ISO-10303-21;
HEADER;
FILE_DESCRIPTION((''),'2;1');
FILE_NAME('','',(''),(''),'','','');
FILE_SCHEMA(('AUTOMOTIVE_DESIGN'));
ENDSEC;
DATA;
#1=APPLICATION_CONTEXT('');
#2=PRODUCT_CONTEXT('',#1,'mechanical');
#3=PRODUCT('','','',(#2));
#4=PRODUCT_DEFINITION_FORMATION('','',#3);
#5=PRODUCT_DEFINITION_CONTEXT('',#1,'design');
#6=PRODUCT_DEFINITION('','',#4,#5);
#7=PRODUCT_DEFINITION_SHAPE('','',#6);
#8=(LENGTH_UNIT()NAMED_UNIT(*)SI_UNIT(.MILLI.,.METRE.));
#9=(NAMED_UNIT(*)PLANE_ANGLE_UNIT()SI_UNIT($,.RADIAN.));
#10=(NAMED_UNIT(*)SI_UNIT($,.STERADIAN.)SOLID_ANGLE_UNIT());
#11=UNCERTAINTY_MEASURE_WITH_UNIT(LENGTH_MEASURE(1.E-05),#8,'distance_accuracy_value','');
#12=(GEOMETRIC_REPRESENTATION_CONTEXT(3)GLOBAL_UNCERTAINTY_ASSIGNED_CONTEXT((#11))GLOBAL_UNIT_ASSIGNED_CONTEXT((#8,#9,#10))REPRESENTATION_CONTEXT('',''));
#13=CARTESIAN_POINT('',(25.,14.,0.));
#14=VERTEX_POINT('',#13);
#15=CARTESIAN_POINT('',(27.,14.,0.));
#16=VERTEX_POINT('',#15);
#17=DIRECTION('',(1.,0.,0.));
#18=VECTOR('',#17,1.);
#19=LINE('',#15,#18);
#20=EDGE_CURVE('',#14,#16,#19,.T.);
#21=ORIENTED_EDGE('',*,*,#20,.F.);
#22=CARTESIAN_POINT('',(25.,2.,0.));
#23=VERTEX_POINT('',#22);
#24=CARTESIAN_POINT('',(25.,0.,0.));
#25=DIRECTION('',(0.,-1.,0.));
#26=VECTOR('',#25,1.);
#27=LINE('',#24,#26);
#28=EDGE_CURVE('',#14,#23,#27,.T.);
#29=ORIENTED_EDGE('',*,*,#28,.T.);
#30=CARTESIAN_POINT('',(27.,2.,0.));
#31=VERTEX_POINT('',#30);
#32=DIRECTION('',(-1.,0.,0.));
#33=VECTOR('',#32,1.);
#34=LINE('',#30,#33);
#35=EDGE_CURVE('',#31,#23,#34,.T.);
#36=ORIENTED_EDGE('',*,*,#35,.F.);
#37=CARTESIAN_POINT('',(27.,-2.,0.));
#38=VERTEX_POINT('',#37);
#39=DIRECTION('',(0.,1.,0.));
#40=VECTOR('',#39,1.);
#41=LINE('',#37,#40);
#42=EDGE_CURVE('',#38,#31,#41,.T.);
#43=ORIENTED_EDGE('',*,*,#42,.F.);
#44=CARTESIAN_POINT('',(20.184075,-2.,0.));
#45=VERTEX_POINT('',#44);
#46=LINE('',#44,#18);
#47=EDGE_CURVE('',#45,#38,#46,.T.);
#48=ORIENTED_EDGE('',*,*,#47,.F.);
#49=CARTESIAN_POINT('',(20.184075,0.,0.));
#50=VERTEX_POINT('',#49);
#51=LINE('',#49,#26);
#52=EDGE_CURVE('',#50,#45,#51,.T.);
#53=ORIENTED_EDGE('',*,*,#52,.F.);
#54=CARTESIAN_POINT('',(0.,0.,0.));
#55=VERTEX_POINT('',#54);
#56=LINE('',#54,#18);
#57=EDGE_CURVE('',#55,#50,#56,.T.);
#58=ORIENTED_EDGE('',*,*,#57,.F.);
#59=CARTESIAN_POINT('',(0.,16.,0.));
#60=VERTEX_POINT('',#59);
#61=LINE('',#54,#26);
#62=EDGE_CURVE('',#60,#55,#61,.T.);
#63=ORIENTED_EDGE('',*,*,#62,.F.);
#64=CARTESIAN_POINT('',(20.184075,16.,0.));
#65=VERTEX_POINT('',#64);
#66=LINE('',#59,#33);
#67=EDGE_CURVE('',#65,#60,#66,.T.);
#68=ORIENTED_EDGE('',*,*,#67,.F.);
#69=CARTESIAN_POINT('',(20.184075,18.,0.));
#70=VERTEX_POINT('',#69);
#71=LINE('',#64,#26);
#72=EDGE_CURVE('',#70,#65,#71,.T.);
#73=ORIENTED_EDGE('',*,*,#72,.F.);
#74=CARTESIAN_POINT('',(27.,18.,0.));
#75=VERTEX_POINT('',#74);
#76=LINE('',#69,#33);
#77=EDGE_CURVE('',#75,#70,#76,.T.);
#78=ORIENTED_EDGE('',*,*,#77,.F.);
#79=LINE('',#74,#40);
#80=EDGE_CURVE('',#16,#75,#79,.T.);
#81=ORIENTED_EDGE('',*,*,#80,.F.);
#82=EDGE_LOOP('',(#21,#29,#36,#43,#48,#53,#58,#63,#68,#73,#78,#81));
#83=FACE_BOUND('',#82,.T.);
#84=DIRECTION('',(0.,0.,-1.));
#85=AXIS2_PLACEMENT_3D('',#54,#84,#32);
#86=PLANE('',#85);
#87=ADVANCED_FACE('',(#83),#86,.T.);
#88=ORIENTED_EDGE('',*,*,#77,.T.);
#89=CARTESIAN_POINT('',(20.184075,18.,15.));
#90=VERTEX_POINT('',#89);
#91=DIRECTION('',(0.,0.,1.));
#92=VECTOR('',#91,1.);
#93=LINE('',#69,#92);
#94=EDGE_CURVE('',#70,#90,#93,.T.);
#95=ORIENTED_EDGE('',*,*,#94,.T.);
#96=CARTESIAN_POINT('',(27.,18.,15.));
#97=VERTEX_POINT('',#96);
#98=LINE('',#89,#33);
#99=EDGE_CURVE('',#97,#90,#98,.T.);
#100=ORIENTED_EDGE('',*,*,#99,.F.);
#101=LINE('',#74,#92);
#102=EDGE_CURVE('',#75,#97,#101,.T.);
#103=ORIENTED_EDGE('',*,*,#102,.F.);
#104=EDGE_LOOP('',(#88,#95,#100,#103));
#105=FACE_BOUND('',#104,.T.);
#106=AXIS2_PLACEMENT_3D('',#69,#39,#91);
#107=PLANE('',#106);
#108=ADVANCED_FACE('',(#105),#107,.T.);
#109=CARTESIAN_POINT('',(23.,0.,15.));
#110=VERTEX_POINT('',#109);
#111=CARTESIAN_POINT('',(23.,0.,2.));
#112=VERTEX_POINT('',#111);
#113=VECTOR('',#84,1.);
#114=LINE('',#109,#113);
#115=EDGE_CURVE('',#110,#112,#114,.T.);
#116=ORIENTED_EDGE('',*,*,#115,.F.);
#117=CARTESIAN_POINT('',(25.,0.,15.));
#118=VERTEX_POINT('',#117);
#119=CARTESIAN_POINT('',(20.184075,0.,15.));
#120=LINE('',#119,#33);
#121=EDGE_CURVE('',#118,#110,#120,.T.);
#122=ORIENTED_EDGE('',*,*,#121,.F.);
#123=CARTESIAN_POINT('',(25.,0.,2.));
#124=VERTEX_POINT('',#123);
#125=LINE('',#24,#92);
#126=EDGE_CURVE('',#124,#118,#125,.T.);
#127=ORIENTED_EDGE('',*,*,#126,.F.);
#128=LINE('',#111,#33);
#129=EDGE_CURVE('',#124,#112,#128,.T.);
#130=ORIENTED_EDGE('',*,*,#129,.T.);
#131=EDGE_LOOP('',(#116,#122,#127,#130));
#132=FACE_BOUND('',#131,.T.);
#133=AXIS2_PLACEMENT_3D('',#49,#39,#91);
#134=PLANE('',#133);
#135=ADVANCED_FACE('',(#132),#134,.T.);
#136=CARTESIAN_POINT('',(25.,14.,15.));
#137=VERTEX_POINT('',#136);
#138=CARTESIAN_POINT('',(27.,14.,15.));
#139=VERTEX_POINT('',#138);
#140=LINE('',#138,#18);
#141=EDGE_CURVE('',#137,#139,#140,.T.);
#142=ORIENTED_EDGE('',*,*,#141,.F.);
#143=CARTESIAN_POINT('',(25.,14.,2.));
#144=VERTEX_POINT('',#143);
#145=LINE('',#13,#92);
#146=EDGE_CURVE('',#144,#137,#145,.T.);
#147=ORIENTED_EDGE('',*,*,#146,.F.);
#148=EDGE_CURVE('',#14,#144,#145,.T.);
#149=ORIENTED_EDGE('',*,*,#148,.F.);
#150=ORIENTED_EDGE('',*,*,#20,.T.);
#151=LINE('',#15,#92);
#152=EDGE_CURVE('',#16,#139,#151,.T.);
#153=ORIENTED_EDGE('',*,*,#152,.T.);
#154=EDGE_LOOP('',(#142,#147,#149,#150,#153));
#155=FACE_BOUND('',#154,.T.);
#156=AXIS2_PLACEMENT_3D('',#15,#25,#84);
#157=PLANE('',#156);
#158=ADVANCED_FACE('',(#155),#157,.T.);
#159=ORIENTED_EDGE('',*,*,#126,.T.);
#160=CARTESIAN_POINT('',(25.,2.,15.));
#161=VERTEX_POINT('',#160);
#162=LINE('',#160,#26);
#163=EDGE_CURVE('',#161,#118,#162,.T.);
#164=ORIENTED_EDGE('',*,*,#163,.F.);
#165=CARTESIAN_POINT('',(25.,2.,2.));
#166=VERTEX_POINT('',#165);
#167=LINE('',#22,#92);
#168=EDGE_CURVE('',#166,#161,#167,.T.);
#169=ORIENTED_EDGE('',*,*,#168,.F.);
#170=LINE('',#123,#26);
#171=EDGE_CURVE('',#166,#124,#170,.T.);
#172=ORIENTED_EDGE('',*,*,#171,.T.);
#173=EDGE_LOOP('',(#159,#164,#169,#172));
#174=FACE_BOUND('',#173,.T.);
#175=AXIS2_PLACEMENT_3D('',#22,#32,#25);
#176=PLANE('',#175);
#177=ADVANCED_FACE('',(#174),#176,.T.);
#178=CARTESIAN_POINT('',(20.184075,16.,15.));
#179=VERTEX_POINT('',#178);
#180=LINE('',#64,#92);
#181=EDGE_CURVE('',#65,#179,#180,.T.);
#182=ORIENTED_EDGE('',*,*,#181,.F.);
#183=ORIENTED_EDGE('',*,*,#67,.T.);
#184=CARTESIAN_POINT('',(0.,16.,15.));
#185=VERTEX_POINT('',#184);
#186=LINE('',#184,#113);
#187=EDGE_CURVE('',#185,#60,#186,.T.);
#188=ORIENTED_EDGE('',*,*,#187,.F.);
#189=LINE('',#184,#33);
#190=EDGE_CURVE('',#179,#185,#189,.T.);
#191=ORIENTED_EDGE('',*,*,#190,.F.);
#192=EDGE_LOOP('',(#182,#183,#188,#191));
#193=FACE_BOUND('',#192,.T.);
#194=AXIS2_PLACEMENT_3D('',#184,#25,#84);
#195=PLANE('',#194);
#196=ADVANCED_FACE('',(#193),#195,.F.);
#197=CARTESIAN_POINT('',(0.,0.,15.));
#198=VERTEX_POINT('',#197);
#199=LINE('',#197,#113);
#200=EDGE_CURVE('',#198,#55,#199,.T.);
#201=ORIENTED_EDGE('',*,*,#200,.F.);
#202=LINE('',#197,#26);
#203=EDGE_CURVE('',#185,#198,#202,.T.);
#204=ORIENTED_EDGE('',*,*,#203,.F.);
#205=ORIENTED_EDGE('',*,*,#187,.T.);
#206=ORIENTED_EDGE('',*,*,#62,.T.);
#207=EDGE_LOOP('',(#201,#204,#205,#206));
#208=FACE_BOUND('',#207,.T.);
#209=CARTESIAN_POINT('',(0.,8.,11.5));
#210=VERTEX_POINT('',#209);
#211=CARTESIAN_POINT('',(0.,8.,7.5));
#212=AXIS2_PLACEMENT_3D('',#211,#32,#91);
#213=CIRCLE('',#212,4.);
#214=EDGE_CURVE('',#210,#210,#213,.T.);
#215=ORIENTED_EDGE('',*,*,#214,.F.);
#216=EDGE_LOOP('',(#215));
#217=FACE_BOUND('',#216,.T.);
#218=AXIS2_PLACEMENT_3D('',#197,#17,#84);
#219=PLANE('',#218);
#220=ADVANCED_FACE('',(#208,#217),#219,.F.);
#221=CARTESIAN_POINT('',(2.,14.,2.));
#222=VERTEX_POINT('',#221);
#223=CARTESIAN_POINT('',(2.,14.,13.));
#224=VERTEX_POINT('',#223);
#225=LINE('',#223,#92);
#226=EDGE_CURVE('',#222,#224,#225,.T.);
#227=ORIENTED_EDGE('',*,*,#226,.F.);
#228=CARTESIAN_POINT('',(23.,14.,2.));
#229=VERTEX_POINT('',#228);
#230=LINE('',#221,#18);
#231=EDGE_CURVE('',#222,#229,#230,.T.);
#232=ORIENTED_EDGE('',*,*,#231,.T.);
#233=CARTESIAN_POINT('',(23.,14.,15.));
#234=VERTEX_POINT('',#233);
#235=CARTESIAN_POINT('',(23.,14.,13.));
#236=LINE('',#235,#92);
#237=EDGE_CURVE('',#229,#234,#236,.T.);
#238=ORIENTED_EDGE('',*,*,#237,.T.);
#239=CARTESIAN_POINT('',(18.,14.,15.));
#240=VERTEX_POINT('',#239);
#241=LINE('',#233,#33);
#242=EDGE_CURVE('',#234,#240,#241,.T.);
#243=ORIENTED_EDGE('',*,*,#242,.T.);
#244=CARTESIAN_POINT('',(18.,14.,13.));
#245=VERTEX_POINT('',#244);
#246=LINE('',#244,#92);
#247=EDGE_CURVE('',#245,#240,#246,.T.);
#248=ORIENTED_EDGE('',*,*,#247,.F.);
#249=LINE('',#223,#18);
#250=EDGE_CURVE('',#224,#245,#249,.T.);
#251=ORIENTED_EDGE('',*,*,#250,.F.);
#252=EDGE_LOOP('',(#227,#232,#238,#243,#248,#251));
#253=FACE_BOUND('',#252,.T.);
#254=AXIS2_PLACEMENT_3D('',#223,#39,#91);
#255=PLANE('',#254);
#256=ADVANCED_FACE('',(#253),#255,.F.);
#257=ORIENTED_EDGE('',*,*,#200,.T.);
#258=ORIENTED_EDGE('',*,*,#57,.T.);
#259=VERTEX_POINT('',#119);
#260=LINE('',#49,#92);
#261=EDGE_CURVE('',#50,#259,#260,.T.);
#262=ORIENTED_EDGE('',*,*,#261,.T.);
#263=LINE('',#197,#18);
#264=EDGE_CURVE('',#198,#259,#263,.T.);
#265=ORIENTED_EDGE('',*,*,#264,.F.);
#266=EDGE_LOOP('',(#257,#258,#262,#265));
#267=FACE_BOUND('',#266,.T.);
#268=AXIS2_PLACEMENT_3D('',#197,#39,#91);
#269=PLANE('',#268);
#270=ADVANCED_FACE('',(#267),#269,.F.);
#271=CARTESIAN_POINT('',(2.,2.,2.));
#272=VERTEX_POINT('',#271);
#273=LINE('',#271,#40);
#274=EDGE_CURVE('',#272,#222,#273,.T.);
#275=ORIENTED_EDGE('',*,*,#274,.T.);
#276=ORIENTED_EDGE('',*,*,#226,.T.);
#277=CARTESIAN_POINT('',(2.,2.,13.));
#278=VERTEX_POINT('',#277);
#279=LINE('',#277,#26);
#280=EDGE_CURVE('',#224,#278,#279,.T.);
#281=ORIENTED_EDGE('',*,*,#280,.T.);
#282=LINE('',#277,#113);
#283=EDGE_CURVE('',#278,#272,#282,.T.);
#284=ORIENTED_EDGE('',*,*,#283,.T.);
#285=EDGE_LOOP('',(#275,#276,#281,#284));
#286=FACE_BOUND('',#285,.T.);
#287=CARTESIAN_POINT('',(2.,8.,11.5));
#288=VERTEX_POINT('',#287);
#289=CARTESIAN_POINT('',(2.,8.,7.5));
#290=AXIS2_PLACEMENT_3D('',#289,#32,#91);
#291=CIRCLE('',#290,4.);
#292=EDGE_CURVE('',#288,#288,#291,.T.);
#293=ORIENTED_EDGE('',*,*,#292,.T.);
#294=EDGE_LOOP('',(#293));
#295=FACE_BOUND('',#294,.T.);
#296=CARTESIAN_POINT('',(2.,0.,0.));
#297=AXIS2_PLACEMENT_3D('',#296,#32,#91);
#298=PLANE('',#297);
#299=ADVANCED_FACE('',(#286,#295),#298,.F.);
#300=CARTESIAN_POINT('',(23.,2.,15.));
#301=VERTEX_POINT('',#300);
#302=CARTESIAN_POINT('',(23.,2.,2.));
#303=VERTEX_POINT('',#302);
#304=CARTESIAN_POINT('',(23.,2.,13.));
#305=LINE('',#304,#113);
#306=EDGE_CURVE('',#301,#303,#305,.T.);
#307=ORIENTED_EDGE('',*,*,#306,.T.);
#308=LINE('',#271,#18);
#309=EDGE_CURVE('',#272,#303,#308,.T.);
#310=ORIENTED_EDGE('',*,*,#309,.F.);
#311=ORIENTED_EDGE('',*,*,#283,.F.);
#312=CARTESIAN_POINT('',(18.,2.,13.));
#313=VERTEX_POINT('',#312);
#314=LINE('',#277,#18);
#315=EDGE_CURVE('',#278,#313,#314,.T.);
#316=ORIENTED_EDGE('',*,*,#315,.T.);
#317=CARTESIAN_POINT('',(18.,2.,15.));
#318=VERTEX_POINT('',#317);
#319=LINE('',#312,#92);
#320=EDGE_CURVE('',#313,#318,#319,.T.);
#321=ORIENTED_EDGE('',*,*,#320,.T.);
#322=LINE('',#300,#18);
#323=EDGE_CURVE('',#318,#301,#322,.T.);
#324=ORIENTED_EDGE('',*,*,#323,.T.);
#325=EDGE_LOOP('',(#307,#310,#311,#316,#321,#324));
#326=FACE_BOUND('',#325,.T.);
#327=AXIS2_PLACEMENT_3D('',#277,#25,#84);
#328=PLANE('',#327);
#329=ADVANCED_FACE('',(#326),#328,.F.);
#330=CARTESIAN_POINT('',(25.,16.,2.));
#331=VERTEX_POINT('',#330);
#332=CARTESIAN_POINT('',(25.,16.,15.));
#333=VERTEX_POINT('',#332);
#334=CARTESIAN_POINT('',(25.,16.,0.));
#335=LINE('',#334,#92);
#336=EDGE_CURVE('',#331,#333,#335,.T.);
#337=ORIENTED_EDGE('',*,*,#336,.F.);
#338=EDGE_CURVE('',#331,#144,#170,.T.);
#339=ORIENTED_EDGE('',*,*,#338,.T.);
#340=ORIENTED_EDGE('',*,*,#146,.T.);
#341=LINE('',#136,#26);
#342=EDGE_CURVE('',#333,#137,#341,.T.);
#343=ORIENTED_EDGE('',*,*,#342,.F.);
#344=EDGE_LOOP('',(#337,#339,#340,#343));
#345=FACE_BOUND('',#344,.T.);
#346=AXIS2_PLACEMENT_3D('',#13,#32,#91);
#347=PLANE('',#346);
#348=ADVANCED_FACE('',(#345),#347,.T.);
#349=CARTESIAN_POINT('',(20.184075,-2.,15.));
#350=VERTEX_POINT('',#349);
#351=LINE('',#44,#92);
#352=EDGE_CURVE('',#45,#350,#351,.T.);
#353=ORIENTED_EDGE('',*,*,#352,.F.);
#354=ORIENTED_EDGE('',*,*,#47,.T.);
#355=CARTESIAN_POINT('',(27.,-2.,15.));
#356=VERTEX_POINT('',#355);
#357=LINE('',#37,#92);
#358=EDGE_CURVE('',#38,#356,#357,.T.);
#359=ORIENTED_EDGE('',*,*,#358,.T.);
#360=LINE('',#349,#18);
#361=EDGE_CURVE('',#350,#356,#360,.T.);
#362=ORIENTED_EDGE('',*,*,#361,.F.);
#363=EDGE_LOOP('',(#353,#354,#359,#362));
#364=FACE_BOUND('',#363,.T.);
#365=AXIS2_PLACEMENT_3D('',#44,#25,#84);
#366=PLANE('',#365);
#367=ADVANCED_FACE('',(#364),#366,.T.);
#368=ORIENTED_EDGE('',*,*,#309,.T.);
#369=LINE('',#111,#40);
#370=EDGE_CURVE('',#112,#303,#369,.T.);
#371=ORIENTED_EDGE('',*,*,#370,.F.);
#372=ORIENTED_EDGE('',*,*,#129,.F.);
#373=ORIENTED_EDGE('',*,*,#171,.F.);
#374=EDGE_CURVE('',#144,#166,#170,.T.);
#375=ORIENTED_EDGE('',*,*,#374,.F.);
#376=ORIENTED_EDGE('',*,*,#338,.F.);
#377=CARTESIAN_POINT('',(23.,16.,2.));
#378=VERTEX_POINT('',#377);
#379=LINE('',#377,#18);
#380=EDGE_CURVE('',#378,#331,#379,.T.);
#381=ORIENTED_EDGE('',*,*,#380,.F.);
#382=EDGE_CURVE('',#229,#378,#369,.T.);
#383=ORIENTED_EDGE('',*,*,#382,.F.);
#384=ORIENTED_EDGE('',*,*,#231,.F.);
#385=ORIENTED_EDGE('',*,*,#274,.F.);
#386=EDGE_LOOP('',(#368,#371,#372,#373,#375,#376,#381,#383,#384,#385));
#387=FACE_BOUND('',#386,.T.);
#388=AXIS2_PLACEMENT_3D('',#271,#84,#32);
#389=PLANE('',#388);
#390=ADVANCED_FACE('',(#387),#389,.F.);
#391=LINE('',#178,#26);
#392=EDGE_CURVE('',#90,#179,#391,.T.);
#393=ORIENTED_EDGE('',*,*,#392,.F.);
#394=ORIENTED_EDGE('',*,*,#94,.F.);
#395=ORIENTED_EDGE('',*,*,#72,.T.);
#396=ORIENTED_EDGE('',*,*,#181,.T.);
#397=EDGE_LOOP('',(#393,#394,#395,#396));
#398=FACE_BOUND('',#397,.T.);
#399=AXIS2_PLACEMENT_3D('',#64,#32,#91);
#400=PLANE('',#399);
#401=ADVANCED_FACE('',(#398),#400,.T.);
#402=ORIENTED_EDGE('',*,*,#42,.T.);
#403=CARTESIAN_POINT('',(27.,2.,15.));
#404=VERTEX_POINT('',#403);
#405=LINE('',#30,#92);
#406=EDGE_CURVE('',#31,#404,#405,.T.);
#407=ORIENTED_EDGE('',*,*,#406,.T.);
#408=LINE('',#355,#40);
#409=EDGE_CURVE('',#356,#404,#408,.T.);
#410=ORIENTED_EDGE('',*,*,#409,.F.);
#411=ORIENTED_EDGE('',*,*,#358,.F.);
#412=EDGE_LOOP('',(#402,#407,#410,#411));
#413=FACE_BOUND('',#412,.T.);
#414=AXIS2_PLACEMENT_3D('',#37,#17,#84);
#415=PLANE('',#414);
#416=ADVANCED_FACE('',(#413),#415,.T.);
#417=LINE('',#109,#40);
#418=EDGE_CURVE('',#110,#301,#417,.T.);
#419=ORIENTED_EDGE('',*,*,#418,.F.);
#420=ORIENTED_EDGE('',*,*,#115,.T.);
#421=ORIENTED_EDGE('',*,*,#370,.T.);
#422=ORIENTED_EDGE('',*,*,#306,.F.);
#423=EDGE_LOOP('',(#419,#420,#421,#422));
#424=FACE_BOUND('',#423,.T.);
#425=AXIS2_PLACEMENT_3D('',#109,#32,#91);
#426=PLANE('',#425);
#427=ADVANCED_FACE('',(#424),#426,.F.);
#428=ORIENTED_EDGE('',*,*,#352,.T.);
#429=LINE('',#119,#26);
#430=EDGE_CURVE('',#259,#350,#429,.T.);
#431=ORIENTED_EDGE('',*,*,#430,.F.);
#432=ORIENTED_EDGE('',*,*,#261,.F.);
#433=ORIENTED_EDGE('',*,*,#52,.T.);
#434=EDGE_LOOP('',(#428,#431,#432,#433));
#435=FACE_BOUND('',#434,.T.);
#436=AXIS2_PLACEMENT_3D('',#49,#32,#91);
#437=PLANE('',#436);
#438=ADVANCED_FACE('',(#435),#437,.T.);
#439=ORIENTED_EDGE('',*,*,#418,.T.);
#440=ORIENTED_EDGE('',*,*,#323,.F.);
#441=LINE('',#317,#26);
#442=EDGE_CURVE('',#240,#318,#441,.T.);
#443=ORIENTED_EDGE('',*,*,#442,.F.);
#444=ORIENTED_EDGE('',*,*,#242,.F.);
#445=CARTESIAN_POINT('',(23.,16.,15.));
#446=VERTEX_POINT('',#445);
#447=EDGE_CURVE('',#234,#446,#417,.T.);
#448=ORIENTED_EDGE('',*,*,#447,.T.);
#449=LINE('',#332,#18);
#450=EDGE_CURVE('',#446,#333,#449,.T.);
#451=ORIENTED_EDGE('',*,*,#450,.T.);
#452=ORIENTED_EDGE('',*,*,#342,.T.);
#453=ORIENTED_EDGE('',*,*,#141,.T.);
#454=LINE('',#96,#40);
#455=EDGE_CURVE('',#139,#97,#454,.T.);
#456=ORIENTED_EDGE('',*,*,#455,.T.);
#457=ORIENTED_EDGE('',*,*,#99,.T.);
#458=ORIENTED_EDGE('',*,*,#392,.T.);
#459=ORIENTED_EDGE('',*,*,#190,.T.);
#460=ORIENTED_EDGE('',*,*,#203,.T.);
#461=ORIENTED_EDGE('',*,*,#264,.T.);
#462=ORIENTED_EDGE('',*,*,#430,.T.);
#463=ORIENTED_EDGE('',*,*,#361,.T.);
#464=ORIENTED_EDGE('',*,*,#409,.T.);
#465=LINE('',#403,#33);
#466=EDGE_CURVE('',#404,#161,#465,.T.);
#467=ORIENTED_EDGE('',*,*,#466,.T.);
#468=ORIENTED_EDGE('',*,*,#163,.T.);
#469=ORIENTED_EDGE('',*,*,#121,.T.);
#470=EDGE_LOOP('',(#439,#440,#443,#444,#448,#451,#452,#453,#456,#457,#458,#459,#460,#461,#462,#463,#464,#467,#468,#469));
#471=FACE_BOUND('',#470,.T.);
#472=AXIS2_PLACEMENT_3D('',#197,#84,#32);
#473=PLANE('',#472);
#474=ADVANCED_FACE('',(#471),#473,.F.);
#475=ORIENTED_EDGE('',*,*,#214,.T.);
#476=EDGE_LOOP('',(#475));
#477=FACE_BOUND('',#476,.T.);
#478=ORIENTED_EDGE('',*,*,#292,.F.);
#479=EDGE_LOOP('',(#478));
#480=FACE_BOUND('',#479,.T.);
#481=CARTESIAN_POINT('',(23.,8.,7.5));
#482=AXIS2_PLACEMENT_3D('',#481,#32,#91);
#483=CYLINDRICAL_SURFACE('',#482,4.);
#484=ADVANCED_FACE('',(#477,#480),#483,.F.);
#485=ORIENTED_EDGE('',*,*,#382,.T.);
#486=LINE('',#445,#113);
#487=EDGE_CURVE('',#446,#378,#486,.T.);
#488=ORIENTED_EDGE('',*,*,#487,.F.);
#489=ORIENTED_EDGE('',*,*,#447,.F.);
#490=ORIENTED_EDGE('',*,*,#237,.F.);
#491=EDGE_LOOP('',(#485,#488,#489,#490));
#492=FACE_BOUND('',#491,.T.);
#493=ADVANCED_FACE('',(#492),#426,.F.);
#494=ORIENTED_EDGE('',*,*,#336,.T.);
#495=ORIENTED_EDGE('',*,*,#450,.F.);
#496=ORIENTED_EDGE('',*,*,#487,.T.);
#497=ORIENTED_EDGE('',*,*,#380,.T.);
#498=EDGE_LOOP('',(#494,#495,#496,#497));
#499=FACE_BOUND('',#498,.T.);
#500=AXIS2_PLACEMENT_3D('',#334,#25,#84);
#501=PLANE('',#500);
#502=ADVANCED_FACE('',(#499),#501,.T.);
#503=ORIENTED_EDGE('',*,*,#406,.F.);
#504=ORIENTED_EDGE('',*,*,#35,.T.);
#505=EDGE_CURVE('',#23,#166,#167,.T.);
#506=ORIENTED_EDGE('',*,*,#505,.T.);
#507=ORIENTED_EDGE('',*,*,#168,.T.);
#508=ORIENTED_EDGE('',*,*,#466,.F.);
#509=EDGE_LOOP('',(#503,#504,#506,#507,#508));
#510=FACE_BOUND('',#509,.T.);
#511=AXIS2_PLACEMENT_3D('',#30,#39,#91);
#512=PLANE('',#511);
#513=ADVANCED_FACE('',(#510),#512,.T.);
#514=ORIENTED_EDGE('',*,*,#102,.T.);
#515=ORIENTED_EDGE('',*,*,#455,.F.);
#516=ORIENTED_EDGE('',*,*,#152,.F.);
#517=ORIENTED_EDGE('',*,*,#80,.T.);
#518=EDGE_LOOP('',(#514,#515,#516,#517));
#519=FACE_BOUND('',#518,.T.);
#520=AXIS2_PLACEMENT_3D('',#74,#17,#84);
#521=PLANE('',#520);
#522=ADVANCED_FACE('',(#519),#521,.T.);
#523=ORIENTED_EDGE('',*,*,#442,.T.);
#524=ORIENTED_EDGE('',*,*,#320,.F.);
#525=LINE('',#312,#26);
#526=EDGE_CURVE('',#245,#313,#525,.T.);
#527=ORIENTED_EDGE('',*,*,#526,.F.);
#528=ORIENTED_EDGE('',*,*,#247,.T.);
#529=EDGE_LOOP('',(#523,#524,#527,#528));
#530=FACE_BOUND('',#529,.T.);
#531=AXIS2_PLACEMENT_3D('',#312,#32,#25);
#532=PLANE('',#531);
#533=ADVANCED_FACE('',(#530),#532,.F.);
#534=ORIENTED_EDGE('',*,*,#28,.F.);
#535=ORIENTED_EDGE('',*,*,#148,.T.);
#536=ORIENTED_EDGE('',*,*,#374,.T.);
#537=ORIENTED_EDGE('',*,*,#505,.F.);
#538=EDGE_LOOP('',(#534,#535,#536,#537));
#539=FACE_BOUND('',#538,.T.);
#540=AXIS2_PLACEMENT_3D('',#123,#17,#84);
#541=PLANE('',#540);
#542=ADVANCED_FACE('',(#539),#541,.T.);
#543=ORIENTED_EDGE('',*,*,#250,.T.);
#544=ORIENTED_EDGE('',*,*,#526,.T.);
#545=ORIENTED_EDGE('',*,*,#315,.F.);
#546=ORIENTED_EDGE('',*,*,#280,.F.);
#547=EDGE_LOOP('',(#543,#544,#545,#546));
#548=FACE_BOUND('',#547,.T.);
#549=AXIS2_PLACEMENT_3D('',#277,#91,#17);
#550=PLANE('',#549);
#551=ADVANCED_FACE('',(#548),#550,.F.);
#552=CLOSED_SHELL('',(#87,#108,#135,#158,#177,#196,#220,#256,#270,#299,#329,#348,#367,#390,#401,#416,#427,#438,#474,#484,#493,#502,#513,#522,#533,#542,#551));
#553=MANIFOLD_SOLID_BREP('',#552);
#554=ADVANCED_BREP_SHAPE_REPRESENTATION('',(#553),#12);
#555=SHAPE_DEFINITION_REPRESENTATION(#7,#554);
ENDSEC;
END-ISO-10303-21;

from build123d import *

# Parameters (mm, degrees)
CROQUIS1_W              = 23
CROQUIS1_H              = 16
SALIENTE_EXTRUIR1_DEPTH = 15
CROQUIS2_W              = 11
CROQUIS2_H              = 12
CORTAR_EXTRUIR1_DEPTH   = 21
CROQUIS4_R              = 4
CORTAR_EXTRUIR2_DEPTH   = 23
CROQUIS5_W              = 5
CROQUIS5_H              = 12
CORTAR_EXTRUIR3_DEPTH   = 2
SALIENTE_EXTRUIR2_DEPTH = 15
CROQUIS7_W              = 2
CROQUIS7_H              = 16
SALIENTE_EXTRUIR3_DEPTH = 2


with BuildPart() as part:
    # Croquis1 → Saliente-Extruir1 (new body)
    with BuildSketch(Plane.XY):
        with Locations((11.5, 8)):
            Rectangle(CROQUIS1_W, CROQUIS1_H)
    extrude(amount=SALIENTE_EXTRUIR1_DEPTH)

    # Croquis2 → Cortar-Extruir1 (cut)
    with BuildSketch(Plane(origin=(23, 0, 0), x_dir=(0, 0, -1), z_dir=(1, 0, 0))):
        with Locations((-7.5, 8)):
            Rectangle(CROQUIS2_W, CROQUIS2_H)
    extrude(amount=-CORTAR_EXTRUIR1_DEPTH, mode=Mode.SUBTRACT)

    # Croquis4 → Cortar-Extruir2 (cut)
    with BuildSketch(Plane.ZY):
        with Locations((7.5, 8)):
            Circle(CROQUIS4_R)
    extrude(amount=-CORTAR_EXTRUIR2_DEPTH, mode=Mode.SUBTRACT)

    # Croquis5 → Cortar-Extruir3 (cut)
    with BuildSketch(Plane.XY.offset(15)):
        with Locations((20.5, 8)):
            Rectangle(CROQUIS5_W, CROQUIS5_H)
    extrude(amount=-CORTAR_EXTRUIR3_DEPTH, mode=Mode.SUBTRACT)

    # Croquis6 → Saliente-Extruir2 (add)
    with BuildSketch(Plane.XY.offset(15)):
        Polygon((20.184075088, 16), (20.184075088, 18), (27, 18), (27, 14), (25, 14), (25, 16), (23, 16), align=None)
        Polygon((20.184075088, 0), (23, 0), (25, 0), (25, 2), (27, 2), (27, -2), (20.184075088, -2), align=None)
    extrude(amount=-SALIENTE_EXTRUIR2_DEPTH)

    # Croquis7 → Saliente-Extruir3 (add)
    with BuildSketch(Plane(origin=(0, 0, 0), x_dir=(-1, 0, 0), z_dir=(0, 0, -1))):
        with Locations((-24, 8)):
            Rectangle(CROQUIS7_W, CROQUIS7_H)
    extrude(amount=-SALIENTE_EXTRUIR3_DEPTH)


solid = part.part
